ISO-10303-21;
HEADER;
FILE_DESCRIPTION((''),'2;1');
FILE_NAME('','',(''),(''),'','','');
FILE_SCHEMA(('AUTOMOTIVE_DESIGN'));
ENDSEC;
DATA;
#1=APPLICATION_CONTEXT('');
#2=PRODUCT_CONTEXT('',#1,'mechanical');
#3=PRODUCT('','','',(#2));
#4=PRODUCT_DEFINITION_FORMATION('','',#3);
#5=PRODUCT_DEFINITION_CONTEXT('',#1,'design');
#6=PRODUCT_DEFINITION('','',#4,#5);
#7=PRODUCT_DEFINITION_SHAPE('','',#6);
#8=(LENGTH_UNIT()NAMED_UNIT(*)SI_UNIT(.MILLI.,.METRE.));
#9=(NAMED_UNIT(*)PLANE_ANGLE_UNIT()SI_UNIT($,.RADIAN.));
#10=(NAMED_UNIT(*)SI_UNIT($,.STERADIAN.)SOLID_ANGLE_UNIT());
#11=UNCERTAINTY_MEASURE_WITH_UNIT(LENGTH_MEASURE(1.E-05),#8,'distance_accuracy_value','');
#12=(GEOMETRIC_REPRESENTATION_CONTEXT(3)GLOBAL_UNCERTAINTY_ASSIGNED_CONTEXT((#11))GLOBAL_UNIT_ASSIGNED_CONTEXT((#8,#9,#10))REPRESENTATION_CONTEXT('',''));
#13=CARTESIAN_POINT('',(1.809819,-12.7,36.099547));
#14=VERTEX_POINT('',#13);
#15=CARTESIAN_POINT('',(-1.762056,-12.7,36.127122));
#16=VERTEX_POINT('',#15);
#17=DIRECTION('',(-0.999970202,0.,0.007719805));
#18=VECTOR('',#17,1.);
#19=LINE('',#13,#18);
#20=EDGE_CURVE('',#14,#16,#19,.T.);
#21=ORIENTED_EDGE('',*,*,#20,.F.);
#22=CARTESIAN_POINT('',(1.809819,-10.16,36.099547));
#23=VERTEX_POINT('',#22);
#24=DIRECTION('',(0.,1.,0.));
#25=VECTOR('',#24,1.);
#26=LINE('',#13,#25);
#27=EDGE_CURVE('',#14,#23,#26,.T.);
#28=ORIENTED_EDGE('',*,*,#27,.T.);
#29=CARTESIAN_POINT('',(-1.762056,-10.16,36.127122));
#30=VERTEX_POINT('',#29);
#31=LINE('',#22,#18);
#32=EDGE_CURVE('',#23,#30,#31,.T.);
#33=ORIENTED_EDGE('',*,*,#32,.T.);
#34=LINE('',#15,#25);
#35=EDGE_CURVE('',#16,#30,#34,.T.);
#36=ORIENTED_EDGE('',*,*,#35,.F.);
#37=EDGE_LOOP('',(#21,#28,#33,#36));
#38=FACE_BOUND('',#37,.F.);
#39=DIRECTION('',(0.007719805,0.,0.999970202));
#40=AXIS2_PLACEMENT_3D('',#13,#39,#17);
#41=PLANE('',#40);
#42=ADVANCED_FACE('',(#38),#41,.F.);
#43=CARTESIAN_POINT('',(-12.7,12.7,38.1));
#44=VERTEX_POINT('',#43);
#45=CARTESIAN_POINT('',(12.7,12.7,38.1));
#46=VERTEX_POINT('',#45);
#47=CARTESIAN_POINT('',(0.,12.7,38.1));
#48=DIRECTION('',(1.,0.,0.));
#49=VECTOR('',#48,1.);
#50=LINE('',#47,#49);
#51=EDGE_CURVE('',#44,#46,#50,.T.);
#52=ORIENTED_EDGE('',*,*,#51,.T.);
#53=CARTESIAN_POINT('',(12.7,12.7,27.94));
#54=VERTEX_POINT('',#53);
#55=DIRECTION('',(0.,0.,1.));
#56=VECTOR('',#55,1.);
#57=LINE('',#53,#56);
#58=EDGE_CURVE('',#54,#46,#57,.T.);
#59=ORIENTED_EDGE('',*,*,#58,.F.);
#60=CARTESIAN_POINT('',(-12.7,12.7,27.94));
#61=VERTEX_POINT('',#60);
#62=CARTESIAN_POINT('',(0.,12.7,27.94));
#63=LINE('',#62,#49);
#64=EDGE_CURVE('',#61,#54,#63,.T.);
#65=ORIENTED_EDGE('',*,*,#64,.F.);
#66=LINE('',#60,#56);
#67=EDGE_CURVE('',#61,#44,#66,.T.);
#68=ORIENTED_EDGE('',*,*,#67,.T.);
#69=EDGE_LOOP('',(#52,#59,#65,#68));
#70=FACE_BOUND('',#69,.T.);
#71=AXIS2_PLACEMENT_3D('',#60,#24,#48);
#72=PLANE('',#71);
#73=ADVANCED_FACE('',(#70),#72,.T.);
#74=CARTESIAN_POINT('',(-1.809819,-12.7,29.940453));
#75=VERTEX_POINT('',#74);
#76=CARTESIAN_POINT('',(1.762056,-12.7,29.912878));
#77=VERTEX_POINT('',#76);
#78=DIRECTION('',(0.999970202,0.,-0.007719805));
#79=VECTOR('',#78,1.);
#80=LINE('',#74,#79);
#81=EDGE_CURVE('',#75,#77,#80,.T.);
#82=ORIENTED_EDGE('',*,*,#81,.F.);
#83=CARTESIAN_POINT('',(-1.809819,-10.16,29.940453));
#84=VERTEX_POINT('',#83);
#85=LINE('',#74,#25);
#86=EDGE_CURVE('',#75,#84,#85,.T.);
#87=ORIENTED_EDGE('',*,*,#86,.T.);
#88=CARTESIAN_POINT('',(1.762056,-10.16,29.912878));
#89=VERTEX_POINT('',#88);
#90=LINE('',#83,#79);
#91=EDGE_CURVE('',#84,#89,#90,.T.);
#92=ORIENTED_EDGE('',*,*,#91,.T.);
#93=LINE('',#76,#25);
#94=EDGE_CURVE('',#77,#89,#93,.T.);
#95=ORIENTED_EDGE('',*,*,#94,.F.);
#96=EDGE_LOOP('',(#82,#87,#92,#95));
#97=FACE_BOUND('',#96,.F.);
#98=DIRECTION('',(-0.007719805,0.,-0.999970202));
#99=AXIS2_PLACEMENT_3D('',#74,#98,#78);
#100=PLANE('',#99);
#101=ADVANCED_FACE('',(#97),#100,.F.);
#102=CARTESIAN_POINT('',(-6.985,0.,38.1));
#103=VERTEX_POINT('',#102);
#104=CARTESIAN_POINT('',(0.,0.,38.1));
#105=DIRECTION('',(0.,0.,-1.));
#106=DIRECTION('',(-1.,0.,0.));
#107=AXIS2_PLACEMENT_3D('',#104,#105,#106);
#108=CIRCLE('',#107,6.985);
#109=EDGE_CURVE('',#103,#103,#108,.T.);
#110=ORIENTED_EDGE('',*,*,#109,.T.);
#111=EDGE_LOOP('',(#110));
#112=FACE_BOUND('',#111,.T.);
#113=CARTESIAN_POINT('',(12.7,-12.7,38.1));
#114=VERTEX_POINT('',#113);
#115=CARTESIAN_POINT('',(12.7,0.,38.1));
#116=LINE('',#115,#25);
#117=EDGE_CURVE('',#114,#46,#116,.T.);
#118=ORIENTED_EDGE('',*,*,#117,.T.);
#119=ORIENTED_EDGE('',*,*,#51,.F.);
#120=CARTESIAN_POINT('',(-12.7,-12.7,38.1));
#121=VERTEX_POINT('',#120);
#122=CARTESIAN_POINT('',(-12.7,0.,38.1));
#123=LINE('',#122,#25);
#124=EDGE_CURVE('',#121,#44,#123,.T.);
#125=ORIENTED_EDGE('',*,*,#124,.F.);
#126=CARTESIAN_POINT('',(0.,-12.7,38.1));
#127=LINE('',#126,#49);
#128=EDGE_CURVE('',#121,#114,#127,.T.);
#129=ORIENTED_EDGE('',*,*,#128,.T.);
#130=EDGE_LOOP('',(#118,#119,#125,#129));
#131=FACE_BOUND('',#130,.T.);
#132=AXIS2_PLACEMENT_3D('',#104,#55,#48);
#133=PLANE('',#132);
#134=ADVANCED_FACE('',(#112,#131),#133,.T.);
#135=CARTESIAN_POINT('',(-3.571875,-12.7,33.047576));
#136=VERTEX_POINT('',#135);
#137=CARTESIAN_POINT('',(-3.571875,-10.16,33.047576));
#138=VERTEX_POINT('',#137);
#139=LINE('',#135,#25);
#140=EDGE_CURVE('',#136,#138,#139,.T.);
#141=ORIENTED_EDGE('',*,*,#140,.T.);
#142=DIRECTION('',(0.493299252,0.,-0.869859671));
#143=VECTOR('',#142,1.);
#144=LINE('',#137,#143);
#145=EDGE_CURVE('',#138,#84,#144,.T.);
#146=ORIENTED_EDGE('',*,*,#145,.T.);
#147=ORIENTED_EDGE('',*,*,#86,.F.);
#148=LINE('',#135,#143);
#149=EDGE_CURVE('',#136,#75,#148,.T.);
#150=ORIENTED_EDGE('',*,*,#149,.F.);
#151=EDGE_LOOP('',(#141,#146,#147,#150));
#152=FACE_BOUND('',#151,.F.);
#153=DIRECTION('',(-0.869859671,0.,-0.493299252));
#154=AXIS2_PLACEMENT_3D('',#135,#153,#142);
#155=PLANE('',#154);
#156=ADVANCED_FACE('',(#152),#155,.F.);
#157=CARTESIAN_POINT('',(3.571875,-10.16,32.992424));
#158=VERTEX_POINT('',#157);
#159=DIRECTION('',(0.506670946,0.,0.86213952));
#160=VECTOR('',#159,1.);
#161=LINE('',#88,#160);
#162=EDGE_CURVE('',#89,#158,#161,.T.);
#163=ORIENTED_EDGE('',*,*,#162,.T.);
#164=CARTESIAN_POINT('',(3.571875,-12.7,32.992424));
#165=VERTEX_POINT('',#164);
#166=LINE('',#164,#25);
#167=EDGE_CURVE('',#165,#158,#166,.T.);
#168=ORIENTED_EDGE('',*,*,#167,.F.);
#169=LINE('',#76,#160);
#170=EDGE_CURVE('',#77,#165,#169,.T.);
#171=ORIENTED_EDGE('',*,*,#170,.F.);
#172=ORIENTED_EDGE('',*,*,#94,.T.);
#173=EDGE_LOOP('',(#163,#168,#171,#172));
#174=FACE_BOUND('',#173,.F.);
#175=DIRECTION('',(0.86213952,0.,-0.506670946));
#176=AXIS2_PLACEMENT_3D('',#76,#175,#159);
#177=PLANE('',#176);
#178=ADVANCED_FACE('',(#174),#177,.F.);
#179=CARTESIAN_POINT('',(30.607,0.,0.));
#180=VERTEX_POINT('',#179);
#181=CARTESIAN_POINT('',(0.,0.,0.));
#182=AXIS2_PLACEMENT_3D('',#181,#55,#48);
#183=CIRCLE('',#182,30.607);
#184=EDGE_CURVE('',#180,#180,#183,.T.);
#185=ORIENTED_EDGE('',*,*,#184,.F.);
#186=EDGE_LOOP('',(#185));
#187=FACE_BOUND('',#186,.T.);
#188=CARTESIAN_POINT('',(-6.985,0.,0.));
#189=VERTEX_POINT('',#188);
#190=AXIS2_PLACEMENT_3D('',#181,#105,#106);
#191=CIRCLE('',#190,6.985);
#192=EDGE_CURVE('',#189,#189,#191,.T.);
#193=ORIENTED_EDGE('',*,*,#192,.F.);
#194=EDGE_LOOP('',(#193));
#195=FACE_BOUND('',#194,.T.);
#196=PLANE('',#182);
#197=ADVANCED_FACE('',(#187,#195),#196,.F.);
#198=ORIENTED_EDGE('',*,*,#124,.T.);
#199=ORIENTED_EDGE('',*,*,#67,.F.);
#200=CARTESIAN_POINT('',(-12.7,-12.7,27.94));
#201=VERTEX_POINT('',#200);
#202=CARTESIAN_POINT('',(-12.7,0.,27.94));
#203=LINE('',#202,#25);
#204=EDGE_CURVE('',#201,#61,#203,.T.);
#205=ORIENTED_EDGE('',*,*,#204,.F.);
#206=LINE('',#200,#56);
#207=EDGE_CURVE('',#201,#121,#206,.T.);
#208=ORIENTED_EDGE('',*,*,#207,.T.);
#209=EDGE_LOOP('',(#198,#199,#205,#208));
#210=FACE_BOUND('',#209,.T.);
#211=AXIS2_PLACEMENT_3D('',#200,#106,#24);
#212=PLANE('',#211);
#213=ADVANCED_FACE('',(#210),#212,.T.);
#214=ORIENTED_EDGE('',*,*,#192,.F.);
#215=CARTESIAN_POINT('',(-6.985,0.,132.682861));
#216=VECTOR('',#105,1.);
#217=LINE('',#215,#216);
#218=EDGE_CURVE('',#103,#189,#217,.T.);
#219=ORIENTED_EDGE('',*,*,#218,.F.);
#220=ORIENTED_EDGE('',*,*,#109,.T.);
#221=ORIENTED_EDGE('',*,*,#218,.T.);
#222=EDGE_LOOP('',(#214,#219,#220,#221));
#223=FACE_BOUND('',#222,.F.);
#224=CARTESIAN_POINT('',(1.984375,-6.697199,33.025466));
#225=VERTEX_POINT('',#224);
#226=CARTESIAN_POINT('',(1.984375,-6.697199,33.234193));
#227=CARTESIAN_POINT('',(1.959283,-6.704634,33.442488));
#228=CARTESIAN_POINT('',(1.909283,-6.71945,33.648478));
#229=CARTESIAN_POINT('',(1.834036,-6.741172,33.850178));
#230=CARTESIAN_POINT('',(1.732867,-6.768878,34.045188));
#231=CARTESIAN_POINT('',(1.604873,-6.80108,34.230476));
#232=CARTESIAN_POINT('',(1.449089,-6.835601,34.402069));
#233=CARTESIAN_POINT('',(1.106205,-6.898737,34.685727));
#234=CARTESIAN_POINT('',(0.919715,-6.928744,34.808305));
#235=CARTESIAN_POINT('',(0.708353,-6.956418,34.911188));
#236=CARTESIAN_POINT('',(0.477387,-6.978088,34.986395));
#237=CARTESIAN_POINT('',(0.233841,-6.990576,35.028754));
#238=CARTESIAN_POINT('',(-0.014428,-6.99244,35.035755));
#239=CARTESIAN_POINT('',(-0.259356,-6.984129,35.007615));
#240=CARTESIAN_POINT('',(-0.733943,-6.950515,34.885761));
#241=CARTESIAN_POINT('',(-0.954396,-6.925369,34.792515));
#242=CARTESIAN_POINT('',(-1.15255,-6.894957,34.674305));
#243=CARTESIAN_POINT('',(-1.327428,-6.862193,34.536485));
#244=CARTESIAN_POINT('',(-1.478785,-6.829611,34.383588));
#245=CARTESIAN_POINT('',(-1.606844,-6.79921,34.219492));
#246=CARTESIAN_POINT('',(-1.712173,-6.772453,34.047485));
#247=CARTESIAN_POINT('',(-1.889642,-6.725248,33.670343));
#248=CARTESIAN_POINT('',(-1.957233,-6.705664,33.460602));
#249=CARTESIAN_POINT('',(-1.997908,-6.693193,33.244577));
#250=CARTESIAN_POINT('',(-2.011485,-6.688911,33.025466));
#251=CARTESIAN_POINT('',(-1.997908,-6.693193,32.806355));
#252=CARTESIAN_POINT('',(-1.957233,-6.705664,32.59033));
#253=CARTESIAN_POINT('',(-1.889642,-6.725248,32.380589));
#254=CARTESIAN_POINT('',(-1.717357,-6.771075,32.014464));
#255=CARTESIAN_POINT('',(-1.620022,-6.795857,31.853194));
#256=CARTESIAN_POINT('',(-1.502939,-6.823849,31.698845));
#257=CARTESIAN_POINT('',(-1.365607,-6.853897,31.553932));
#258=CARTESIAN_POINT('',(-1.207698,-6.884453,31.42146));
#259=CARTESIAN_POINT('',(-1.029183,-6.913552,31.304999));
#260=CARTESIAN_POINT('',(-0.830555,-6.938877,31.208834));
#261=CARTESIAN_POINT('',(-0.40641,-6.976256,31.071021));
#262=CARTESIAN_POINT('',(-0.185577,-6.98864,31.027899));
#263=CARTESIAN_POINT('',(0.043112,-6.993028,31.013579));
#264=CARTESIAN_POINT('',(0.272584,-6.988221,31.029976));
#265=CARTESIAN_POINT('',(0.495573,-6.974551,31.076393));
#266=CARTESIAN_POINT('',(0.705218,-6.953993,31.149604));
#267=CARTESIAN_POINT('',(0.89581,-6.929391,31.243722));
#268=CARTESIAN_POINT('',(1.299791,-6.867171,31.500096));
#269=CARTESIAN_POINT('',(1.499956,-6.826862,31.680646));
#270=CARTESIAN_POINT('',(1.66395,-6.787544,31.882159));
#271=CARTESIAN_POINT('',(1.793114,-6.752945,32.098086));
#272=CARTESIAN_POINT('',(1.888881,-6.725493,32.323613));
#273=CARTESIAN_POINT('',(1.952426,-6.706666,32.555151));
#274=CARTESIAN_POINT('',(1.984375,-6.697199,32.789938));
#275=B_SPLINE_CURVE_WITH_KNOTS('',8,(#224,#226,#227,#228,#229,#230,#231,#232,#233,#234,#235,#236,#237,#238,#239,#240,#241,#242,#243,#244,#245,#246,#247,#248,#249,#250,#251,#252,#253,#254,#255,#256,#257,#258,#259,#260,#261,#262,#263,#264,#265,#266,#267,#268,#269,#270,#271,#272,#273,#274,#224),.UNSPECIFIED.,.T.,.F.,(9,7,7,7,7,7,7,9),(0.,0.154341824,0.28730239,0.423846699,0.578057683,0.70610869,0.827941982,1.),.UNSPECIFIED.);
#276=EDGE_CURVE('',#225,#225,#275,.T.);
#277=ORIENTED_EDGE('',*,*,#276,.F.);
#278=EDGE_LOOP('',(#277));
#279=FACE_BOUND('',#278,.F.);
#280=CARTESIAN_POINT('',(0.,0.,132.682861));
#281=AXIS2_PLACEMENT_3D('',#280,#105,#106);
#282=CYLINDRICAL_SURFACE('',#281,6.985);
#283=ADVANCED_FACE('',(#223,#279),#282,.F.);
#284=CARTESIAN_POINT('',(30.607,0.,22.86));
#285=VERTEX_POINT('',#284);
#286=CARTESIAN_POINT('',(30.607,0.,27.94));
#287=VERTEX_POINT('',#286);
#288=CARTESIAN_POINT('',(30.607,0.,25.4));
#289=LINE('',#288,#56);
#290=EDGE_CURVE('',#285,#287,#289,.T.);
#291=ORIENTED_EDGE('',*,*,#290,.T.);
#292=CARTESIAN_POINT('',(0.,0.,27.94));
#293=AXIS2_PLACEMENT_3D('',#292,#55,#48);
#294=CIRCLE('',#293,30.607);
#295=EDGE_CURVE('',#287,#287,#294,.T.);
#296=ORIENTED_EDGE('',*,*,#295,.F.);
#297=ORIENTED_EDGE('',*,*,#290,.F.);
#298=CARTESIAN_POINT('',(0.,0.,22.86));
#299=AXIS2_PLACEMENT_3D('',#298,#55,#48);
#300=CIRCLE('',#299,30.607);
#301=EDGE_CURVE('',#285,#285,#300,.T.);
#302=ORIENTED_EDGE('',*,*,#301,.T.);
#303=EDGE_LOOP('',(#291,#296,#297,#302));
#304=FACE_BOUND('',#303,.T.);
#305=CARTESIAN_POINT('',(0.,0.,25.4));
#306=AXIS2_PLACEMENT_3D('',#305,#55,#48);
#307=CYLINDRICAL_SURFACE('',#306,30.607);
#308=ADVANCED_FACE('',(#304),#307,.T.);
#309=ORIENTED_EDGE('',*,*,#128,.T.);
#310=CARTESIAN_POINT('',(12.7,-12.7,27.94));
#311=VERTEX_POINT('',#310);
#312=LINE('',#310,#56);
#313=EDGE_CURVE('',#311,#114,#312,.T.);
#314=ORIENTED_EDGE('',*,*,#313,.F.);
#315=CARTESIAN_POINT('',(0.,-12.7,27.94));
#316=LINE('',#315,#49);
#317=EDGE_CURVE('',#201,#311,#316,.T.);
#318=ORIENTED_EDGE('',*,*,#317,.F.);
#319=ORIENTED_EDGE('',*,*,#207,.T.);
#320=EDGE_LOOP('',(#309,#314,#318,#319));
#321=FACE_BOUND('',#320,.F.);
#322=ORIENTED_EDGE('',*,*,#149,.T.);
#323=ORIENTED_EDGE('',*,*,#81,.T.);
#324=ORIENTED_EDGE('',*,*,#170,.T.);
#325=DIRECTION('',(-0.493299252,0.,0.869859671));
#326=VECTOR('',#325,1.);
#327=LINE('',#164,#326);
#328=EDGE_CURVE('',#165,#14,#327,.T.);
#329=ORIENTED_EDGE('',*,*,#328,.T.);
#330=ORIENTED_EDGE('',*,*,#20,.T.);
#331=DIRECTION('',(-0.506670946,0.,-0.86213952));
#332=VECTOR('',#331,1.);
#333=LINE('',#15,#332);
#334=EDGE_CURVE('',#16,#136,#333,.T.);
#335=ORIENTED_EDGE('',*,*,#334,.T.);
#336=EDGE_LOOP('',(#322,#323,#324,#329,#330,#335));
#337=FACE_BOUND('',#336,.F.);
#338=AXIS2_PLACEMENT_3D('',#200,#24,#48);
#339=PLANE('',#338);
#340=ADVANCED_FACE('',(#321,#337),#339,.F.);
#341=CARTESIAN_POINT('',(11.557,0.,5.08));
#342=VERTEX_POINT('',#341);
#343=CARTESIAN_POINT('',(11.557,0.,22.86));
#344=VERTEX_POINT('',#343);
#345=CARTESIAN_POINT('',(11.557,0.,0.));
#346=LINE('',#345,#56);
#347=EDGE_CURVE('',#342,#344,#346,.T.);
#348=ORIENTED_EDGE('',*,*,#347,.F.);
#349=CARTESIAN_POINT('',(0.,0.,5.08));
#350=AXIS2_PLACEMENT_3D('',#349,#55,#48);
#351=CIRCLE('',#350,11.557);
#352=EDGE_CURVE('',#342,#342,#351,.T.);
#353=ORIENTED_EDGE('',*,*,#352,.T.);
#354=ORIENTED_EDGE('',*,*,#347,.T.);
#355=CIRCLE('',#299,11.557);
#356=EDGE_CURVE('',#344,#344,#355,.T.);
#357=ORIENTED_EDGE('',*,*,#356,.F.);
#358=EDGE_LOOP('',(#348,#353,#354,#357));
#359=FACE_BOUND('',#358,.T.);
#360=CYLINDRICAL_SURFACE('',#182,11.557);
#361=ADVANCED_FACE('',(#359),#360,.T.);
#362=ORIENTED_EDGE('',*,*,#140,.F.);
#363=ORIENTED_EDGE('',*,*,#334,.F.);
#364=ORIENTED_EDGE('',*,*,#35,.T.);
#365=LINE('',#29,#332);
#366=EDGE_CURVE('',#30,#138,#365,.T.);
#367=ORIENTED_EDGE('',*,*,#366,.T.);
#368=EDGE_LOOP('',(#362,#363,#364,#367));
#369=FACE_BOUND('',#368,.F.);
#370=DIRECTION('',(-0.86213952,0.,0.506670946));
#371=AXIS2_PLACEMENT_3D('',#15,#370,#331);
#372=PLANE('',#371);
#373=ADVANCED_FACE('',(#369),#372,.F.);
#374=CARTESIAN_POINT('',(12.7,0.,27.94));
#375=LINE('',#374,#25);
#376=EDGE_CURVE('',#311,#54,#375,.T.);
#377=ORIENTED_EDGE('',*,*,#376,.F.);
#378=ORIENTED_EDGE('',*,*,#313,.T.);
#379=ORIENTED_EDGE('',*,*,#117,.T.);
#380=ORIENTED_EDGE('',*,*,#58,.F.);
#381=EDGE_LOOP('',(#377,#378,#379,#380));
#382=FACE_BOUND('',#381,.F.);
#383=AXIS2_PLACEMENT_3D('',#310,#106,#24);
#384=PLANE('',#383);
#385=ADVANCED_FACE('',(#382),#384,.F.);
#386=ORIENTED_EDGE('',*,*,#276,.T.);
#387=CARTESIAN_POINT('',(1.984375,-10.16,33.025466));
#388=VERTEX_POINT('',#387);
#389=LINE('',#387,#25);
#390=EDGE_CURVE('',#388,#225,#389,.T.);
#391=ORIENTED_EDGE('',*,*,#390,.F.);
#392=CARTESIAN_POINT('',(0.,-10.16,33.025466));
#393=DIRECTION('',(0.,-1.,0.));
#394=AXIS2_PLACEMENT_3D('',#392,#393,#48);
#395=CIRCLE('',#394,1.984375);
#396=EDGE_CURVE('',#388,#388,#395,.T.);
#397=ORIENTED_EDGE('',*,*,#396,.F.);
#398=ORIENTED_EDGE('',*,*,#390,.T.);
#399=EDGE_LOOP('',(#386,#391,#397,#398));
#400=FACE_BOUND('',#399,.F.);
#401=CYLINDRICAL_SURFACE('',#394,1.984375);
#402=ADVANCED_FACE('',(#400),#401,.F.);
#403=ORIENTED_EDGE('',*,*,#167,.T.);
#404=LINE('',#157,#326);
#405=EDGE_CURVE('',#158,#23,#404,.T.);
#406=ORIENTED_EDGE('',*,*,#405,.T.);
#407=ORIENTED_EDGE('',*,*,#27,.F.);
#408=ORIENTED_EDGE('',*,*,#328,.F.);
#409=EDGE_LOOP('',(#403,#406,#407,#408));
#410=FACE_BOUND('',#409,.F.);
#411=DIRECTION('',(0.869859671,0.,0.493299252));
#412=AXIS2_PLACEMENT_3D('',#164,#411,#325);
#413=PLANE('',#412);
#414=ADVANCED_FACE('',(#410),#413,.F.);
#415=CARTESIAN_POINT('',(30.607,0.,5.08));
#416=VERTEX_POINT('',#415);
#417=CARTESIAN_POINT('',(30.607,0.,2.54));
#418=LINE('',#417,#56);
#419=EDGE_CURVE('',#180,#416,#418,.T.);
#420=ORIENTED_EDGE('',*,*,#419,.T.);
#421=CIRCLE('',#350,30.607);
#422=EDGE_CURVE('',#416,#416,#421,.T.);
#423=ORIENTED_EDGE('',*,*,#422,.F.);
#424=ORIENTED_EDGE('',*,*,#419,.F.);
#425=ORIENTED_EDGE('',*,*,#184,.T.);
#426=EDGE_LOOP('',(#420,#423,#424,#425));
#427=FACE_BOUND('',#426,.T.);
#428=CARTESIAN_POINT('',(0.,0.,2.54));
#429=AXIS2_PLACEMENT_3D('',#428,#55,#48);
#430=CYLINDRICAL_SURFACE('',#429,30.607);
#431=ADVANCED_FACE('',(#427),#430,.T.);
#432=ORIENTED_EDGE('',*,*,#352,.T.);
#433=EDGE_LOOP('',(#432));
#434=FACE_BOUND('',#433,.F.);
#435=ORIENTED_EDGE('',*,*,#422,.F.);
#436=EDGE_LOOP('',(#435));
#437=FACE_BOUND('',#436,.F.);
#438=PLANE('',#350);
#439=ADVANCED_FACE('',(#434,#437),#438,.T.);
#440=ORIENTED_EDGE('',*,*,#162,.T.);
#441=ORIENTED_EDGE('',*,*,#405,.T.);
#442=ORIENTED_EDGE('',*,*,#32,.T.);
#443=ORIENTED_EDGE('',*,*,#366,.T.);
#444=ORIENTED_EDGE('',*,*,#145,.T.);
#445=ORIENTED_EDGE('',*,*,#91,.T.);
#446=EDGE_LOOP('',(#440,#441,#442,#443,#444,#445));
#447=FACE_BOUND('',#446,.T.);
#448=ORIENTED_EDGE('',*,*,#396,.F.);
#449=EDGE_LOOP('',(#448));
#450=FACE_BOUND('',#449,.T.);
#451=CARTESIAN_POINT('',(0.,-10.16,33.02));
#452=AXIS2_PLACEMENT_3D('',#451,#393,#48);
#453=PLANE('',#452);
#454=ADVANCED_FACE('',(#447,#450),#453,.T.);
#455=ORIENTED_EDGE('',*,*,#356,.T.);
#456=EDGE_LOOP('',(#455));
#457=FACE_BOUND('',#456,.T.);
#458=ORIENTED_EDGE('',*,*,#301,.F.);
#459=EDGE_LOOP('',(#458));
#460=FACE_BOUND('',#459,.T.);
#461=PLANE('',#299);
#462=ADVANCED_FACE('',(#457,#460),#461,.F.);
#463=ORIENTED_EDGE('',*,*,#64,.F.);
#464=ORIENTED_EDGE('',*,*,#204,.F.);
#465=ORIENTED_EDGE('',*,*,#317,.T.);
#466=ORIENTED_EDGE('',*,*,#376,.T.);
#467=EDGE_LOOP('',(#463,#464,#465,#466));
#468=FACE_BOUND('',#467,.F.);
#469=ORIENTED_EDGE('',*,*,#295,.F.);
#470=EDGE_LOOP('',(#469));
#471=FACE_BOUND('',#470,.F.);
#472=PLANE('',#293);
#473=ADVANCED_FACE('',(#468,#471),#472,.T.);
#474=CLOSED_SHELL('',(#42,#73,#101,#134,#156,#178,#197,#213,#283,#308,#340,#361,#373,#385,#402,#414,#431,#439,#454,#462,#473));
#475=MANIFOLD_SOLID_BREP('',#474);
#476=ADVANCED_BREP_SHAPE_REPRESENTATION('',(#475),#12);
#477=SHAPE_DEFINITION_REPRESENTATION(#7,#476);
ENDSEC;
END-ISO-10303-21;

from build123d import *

# Parameters (mm, degrees)
F0_W      = 6.477
F0_H      = 38.1
F0_W_2    = 19.05
F0_H_2    = 5.08
F4_D      = 13.97
F5_W      = 25.4
F5_H      = 25.4
F5_R      = 11.557
F6_DEPTH  = 10.16
F8_DEPTH  = 2.54
F9_R      = 1.984375
F10_DEPTH = 5.08


with BuildPart() as f1:
    # F0 (on Front) → F1 (revolve)
    with BuildSketch(Plane.XZ):
        with Locations((3.2385, 19.05)):
            Rectangle(F0_W, F0_H)
        Polygon((6.477, 38.1), (6.477, 0), (11.557, 0), (11.557, 5.08), (11.557, 22.86), (11.557, 27.94), (11.557, 38.1), align=None)
        with Locations((21.082, 2.54)):
            Rectangle(F0_W_2, F0_H_2)
        with Locations((21.082, 25.4)):
            Rectangle(F0_W_2, F0_H_2)
    revolve(axis=Axis((0, 0, 19.05), (0, 0, 1)))

    # F4 (through all)
    with Locations(Plane.XY.offset(38.1)):
        with Locations((0, 0)):
            Hole(F4_D / 2)

    # F5 (on face) → F6 (join)
    with BuildSketch(Plane.XY.offset(27.94)):
        Rectangle(F5_W, F5_H)
        Circle(F5_R, mode=Mode.SUBTRACT)
    extrude(amount=F6_DEPTH)

    # F7 (on face) → F8 (cut)
    with BuildSketch(Plane.XZ.offset(12.7)):
        Polygon((-1.809819, 29.940453), (1.762056, 29.912878), (3.571875, 32.992424), (1.809819, 36.099547), (-1.762056, 36.127122), (-3.571875, 33.047576), align=None)
    extrude(amount=-F8_DEPTH, mode=Mode.SUBTRACT)

    # F9 (on face) → F10 (cut)
    with BuildSketch(Plane.XZ.offset(10.16)):
        with Locations((0, 33.025466)):
            Circle(F9_R)
    extrude(amount=-F10_DEPTH, mode=Mode.SUBTRACT)


solid = f1.part
